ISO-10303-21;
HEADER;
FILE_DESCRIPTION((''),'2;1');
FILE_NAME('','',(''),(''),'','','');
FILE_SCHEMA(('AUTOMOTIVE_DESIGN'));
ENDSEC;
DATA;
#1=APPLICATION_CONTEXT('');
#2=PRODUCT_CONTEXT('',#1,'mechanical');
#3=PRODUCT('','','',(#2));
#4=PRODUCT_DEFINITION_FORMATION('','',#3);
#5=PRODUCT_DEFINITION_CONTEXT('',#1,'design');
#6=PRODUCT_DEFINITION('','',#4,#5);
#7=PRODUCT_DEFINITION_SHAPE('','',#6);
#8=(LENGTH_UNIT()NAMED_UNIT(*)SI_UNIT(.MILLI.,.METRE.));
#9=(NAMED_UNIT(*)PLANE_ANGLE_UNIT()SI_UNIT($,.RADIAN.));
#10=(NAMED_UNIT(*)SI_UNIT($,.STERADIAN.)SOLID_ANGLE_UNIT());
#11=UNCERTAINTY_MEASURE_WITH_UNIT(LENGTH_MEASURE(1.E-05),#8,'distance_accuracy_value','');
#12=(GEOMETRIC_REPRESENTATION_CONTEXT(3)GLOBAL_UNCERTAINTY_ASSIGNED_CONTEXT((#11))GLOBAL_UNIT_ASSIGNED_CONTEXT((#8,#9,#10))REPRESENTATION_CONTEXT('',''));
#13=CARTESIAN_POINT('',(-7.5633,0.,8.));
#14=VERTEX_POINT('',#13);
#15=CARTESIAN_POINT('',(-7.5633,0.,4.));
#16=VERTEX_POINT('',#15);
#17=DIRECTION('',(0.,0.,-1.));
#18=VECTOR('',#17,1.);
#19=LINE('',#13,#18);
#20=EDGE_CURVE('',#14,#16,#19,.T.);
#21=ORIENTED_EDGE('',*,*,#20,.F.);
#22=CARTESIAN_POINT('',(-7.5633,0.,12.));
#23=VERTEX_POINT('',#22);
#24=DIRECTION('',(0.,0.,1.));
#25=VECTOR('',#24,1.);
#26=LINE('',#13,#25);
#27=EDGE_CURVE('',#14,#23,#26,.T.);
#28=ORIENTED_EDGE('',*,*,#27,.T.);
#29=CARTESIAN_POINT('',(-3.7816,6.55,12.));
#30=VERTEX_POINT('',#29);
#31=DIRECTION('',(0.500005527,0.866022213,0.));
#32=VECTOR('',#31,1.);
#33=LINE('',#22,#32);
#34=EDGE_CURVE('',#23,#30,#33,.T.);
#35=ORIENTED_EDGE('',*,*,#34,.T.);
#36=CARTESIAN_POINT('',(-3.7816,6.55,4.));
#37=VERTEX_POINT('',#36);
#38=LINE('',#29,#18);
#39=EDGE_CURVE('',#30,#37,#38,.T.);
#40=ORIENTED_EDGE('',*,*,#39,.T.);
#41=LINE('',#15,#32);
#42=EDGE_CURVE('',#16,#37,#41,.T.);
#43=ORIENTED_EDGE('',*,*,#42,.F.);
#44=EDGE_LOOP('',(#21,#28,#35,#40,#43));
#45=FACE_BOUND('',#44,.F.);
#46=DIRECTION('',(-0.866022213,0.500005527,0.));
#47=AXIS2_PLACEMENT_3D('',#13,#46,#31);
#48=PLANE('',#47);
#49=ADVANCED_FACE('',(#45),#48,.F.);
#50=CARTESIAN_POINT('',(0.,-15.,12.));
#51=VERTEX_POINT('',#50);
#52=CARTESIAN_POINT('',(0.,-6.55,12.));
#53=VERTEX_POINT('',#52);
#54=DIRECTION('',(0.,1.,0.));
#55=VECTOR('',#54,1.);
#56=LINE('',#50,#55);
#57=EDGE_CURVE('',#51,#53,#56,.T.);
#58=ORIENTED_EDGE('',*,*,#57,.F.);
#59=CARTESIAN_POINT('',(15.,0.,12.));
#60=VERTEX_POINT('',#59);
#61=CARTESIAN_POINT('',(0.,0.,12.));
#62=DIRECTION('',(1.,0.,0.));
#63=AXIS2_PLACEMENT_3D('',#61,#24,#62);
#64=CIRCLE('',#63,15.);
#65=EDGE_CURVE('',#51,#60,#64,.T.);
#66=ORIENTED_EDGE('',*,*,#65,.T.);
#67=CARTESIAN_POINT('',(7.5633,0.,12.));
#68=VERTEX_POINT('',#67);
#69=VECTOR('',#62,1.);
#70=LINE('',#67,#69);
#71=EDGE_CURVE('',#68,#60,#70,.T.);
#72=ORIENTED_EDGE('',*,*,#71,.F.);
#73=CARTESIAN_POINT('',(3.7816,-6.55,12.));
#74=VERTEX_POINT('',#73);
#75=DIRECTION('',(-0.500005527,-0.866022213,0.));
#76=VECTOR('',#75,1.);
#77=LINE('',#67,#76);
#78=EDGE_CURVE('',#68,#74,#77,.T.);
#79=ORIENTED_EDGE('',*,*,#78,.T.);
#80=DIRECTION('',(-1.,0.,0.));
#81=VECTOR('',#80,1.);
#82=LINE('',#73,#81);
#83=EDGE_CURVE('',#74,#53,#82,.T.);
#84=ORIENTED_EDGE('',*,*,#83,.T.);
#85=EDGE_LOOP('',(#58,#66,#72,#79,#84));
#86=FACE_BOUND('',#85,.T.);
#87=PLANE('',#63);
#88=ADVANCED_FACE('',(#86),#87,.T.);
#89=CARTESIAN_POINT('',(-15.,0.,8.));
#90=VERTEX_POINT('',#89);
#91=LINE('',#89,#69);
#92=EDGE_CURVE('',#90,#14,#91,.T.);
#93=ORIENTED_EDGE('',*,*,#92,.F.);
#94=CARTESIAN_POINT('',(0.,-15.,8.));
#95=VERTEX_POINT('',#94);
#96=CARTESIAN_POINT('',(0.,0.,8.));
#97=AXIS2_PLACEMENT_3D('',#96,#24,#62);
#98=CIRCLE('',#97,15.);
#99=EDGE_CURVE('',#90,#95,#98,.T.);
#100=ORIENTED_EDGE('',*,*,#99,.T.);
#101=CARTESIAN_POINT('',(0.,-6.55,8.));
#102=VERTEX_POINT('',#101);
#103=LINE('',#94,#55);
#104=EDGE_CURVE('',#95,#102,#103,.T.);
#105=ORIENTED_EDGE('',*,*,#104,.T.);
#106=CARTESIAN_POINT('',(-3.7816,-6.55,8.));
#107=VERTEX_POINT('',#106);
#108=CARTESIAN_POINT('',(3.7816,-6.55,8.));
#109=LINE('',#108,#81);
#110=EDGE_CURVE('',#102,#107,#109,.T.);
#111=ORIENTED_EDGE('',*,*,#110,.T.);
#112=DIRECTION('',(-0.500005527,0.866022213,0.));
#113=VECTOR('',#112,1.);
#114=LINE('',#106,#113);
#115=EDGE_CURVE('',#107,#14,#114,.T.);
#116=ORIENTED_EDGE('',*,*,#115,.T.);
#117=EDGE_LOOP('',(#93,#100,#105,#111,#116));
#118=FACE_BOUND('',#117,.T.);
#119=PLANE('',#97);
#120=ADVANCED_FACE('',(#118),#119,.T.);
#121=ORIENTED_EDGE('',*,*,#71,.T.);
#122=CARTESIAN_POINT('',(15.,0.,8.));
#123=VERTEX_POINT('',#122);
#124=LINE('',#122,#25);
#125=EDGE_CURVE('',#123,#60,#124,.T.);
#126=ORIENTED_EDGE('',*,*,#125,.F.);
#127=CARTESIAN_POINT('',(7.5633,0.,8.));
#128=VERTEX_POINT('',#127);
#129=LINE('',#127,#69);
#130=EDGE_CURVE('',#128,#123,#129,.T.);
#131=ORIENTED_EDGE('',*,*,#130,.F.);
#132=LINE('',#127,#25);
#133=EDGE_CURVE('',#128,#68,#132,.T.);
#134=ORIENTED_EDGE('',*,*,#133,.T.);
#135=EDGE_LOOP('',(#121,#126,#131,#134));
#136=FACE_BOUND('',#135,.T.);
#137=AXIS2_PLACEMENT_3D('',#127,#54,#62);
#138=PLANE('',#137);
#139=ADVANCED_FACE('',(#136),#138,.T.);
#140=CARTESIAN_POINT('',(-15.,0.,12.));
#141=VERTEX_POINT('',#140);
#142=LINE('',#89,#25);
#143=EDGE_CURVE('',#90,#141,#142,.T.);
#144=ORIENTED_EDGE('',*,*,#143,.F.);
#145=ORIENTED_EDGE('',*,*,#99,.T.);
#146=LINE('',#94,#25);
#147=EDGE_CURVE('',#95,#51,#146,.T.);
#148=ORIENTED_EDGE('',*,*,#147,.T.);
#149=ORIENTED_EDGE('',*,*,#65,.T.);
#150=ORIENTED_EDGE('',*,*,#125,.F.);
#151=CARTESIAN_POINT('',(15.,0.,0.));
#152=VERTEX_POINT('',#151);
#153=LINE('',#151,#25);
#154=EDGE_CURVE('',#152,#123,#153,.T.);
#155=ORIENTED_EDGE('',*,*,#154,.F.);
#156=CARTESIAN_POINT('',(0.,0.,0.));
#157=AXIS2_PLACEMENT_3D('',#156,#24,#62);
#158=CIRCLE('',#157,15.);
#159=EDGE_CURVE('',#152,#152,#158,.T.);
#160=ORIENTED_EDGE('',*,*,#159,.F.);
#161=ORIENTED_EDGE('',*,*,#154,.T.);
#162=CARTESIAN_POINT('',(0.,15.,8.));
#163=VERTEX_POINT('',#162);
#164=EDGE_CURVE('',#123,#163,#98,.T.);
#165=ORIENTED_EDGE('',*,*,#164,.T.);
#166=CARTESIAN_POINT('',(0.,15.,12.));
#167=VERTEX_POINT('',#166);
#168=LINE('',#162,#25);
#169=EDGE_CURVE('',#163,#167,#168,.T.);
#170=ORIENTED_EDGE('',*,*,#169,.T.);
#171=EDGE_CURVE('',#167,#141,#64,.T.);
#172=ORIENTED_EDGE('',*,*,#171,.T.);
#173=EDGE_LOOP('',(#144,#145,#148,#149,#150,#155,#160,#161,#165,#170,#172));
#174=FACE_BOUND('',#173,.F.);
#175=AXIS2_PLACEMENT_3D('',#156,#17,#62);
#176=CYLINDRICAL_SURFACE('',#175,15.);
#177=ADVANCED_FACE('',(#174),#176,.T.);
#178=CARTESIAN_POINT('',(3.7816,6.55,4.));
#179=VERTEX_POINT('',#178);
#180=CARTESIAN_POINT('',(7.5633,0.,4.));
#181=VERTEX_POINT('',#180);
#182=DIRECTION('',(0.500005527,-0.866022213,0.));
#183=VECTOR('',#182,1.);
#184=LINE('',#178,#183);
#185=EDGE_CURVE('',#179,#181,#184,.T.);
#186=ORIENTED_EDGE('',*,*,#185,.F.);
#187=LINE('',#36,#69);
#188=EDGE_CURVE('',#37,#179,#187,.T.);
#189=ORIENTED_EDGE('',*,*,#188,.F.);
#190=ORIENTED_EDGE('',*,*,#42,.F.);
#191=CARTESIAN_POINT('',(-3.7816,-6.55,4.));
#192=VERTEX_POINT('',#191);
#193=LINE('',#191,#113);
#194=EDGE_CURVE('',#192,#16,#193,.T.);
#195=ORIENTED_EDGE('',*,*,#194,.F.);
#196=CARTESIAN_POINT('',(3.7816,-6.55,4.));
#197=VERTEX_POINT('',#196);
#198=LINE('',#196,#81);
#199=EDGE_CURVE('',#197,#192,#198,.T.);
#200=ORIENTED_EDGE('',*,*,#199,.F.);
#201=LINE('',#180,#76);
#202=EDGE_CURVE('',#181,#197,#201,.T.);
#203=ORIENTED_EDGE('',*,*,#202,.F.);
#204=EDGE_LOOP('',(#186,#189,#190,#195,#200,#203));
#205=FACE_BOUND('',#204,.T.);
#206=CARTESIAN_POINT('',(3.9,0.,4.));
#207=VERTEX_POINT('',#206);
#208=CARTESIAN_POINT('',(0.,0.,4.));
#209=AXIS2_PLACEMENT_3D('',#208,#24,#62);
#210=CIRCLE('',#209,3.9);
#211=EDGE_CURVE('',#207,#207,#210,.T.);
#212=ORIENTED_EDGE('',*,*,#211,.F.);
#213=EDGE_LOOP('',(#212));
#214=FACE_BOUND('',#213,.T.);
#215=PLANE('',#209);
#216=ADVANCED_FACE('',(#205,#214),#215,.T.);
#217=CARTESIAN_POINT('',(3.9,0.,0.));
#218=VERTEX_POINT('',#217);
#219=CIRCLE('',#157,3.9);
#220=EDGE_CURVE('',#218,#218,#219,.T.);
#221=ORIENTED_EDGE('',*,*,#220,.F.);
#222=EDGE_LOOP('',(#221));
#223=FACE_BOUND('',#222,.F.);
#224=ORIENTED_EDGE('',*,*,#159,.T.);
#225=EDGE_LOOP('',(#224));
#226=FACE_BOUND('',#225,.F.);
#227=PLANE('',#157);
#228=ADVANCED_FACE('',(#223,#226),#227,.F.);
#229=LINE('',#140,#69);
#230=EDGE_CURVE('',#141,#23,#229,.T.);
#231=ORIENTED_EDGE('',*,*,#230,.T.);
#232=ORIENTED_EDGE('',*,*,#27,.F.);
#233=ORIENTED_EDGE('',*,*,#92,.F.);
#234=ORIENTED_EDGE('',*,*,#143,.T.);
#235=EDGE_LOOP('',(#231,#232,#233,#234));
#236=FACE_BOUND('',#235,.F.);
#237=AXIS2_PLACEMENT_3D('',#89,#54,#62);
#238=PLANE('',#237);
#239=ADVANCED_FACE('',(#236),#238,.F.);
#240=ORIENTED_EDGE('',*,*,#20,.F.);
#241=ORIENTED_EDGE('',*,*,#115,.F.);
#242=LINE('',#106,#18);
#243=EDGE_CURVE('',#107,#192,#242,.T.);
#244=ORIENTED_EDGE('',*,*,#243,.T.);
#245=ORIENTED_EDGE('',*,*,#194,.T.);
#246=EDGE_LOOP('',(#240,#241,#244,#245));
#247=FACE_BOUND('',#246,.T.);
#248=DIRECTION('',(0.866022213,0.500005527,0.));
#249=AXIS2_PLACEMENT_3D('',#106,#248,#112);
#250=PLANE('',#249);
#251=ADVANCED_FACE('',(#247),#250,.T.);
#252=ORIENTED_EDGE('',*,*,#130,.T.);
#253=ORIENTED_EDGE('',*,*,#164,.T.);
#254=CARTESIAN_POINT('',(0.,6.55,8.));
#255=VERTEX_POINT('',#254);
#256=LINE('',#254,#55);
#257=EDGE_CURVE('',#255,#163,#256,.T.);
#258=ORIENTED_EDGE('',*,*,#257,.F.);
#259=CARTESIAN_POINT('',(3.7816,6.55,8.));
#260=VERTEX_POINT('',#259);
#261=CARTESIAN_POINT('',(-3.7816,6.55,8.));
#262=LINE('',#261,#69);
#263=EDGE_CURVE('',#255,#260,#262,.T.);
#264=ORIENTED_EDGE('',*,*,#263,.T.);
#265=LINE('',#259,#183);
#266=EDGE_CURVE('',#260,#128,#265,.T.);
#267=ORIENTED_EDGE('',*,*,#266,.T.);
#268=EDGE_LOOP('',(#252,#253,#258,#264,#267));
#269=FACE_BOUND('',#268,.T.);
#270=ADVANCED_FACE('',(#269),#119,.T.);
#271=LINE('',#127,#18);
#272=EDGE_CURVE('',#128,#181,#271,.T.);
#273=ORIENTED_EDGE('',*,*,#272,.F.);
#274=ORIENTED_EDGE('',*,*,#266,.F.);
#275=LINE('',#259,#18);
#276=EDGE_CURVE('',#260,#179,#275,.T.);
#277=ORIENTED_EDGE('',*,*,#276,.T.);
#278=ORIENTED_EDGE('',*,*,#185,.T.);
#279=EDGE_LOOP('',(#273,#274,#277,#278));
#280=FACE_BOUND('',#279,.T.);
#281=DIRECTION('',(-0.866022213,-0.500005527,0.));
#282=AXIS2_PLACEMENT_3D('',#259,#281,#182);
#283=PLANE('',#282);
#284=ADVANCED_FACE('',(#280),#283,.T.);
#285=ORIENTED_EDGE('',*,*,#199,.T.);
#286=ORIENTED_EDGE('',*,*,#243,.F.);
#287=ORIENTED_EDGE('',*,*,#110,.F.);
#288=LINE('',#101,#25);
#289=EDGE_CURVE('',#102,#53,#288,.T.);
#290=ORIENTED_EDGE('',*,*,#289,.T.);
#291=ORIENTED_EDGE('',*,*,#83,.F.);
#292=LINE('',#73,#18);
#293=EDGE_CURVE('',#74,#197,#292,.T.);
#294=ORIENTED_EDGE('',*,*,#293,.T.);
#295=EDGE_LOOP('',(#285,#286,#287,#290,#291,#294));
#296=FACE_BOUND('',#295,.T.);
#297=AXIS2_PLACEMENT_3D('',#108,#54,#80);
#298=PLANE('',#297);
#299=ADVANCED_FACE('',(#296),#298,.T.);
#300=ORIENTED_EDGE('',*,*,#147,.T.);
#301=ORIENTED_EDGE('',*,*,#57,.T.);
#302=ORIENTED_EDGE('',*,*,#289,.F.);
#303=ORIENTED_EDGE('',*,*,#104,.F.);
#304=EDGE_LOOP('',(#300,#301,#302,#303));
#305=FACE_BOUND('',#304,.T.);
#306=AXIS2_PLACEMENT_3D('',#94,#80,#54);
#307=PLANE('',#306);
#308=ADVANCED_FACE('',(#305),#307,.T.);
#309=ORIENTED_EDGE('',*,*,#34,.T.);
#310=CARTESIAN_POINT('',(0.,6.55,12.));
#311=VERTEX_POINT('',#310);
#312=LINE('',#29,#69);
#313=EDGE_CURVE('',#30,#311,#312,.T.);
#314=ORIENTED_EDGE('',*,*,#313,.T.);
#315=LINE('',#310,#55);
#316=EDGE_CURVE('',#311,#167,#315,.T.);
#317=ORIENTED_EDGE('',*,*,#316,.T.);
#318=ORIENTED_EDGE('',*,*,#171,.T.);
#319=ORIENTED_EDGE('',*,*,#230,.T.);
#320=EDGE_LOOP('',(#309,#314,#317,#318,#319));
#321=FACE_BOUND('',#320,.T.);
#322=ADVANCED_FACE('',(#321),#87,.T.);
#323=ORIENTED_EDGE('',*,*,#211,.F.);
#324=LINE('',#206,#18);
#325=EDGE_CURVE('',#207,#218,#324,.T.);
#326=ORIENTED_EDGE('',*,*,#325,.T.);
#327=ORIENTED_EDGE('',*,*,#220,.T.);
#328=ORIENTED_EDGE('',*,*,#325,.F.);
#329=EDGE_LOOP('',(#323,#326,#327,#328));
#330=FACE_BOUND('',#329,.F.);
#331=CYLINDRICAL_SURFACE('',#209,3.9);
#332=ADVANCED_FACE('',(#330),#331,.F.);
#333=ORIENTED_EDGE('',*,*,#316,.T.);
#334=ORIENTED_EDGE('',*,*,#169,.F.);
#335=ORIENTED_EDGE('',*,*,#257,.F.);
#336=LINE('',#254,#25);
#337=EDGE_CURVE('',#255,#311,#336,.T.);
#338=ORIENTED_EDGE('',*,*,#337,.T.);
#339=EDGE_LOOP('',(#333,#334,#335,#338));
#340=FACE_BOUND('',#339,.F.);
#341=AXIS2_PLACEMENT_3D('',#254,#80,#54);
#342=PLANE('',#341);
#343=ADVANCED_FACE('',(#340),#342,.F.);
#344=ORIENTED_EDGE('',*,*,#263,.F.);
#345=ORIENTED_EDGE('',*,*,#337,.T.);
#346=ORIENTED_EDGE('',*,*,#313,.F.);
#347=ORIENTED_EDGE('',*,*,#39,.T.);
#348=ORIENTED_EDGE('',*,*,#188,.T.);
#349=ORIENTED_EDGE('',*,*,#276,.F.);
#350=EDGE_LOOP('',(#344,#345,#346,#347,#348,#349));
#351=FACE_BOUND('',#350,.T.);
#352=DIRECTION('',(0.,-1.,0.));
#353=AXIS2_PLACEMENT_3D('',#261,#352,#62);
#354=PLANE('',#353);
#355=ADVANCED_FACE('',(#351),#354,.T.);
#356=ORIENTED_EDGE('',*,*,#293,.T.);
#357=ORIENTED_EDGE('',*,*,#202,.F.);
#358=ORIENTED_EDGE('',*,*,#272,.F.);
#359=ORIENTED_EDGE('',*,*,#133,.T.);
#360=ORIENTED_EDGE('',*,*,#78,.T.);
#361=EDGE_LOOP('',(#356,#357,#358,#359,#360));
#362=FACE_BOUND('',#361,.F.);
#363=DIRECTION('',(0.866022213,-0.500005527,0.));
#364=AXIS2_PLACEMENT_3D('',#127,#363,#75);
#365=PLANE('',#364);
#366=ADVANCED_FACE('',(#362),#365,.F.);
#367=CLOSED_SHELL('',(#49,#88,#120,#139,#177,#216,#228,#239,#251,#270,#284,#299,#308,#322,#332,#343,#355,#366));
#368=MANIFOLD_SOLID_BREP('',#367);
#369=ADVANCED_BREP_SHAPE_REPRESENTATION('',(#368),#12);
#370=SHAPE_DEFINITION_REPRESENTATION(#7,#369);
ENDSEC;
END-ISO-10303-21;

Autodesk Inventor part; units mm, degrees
ref_plane "YZ Plane" through (0, 0, 0) normal (1, 0, 0) x (0, 1, 0)
ref_plane "XZ Plane" through (0, 0, 0) normal (0, 1, 0) x (-1, 0, 0)
ref_plane "XY Plane" through (0, 0, 0) normal (0, 0, 1) x (1, 0, 0)
sketch "Sketch1" plane through (0, 0, 0) normal (0, 0, 1) x (1, 0, 0)
  circle A0 centre (0, 0) radius 15
  dimension "d0" = 30
extrude "Extrusion1" add sketch "Sketch1" along normal blind 8
sketch "Sketch2" plane through (0, 0, 8) normal (0, 0, 1) x (1, 0, 0)
  circle A0 centre (0, 0) radius 15 projected
  line L0 (-3.7816, 6.55) -> (0, 6.55)
  line L1 (3.7816, 6.55) -> (7.5633, 0)
  line L2 (7.5633, 0) -> (3.7816, -6.55)
  line L3 (3.7816, -6.55) -> (-3.7816, -6.55)
  line L4 (-3.7816, -6.55) -> (-7.5633, 0)
  line L5 (-7.5633, 0) -> (-3.7816, 6.55)
  line L6 (0, -15) -> (0, -6.55)
  line L7 (-15, 0) -> (-7.5633, 0)
  line L8 (0, 6.55) -> (0, 15)
  line L9 (7.5633, 0) -> (15, 0)
  line L10 (0, 6.55) -> (3.7816, 6.55)
  dimension "d4" = 13.1
extrude "Extrusion2" add sketch "Sketch2" along normal blind 4 contours A0 L6 L3 L2 L9 | L8 L0 L5 L7 A0
sketch "Sketch3" plane through (0, 0, 8) normal (0, 0, 1) x (1, 0, 0)
  arc A0 (-15, 0) -> (0, -15) centre (0, 0) ccw projected
  line L0 (-3.7816, 6.55) -> (3.7816, 6.55)
  line L1 (3.7816, 6.55) -> (7.5633, 0)
  line L2 (7.5633, 0) -> (3.7816, -6.55)
  line L3 (3.7816, -6.55) -> (-3.7816, -6.55)
  line L4 (-3.7816, -6.55) -> (-7.5633, 0)
  line L5 (-7.5633, 0) -> (-3.7816, 6.55)
extrude "Extrusion3" cut sketch "Sketch3" against normal blind 4
sketch "Sketch4" plane through (0, 0, 4) normal (0, 0, 1) x (1, 0, 0)
  circle A0 centre (0, 0) radius 3.9
  dimension "d10" = 7.8
extrude "Extrusion4" cut sketch "Sketch4" against normal blind 10
properties part number "Coil Coupling_1"
